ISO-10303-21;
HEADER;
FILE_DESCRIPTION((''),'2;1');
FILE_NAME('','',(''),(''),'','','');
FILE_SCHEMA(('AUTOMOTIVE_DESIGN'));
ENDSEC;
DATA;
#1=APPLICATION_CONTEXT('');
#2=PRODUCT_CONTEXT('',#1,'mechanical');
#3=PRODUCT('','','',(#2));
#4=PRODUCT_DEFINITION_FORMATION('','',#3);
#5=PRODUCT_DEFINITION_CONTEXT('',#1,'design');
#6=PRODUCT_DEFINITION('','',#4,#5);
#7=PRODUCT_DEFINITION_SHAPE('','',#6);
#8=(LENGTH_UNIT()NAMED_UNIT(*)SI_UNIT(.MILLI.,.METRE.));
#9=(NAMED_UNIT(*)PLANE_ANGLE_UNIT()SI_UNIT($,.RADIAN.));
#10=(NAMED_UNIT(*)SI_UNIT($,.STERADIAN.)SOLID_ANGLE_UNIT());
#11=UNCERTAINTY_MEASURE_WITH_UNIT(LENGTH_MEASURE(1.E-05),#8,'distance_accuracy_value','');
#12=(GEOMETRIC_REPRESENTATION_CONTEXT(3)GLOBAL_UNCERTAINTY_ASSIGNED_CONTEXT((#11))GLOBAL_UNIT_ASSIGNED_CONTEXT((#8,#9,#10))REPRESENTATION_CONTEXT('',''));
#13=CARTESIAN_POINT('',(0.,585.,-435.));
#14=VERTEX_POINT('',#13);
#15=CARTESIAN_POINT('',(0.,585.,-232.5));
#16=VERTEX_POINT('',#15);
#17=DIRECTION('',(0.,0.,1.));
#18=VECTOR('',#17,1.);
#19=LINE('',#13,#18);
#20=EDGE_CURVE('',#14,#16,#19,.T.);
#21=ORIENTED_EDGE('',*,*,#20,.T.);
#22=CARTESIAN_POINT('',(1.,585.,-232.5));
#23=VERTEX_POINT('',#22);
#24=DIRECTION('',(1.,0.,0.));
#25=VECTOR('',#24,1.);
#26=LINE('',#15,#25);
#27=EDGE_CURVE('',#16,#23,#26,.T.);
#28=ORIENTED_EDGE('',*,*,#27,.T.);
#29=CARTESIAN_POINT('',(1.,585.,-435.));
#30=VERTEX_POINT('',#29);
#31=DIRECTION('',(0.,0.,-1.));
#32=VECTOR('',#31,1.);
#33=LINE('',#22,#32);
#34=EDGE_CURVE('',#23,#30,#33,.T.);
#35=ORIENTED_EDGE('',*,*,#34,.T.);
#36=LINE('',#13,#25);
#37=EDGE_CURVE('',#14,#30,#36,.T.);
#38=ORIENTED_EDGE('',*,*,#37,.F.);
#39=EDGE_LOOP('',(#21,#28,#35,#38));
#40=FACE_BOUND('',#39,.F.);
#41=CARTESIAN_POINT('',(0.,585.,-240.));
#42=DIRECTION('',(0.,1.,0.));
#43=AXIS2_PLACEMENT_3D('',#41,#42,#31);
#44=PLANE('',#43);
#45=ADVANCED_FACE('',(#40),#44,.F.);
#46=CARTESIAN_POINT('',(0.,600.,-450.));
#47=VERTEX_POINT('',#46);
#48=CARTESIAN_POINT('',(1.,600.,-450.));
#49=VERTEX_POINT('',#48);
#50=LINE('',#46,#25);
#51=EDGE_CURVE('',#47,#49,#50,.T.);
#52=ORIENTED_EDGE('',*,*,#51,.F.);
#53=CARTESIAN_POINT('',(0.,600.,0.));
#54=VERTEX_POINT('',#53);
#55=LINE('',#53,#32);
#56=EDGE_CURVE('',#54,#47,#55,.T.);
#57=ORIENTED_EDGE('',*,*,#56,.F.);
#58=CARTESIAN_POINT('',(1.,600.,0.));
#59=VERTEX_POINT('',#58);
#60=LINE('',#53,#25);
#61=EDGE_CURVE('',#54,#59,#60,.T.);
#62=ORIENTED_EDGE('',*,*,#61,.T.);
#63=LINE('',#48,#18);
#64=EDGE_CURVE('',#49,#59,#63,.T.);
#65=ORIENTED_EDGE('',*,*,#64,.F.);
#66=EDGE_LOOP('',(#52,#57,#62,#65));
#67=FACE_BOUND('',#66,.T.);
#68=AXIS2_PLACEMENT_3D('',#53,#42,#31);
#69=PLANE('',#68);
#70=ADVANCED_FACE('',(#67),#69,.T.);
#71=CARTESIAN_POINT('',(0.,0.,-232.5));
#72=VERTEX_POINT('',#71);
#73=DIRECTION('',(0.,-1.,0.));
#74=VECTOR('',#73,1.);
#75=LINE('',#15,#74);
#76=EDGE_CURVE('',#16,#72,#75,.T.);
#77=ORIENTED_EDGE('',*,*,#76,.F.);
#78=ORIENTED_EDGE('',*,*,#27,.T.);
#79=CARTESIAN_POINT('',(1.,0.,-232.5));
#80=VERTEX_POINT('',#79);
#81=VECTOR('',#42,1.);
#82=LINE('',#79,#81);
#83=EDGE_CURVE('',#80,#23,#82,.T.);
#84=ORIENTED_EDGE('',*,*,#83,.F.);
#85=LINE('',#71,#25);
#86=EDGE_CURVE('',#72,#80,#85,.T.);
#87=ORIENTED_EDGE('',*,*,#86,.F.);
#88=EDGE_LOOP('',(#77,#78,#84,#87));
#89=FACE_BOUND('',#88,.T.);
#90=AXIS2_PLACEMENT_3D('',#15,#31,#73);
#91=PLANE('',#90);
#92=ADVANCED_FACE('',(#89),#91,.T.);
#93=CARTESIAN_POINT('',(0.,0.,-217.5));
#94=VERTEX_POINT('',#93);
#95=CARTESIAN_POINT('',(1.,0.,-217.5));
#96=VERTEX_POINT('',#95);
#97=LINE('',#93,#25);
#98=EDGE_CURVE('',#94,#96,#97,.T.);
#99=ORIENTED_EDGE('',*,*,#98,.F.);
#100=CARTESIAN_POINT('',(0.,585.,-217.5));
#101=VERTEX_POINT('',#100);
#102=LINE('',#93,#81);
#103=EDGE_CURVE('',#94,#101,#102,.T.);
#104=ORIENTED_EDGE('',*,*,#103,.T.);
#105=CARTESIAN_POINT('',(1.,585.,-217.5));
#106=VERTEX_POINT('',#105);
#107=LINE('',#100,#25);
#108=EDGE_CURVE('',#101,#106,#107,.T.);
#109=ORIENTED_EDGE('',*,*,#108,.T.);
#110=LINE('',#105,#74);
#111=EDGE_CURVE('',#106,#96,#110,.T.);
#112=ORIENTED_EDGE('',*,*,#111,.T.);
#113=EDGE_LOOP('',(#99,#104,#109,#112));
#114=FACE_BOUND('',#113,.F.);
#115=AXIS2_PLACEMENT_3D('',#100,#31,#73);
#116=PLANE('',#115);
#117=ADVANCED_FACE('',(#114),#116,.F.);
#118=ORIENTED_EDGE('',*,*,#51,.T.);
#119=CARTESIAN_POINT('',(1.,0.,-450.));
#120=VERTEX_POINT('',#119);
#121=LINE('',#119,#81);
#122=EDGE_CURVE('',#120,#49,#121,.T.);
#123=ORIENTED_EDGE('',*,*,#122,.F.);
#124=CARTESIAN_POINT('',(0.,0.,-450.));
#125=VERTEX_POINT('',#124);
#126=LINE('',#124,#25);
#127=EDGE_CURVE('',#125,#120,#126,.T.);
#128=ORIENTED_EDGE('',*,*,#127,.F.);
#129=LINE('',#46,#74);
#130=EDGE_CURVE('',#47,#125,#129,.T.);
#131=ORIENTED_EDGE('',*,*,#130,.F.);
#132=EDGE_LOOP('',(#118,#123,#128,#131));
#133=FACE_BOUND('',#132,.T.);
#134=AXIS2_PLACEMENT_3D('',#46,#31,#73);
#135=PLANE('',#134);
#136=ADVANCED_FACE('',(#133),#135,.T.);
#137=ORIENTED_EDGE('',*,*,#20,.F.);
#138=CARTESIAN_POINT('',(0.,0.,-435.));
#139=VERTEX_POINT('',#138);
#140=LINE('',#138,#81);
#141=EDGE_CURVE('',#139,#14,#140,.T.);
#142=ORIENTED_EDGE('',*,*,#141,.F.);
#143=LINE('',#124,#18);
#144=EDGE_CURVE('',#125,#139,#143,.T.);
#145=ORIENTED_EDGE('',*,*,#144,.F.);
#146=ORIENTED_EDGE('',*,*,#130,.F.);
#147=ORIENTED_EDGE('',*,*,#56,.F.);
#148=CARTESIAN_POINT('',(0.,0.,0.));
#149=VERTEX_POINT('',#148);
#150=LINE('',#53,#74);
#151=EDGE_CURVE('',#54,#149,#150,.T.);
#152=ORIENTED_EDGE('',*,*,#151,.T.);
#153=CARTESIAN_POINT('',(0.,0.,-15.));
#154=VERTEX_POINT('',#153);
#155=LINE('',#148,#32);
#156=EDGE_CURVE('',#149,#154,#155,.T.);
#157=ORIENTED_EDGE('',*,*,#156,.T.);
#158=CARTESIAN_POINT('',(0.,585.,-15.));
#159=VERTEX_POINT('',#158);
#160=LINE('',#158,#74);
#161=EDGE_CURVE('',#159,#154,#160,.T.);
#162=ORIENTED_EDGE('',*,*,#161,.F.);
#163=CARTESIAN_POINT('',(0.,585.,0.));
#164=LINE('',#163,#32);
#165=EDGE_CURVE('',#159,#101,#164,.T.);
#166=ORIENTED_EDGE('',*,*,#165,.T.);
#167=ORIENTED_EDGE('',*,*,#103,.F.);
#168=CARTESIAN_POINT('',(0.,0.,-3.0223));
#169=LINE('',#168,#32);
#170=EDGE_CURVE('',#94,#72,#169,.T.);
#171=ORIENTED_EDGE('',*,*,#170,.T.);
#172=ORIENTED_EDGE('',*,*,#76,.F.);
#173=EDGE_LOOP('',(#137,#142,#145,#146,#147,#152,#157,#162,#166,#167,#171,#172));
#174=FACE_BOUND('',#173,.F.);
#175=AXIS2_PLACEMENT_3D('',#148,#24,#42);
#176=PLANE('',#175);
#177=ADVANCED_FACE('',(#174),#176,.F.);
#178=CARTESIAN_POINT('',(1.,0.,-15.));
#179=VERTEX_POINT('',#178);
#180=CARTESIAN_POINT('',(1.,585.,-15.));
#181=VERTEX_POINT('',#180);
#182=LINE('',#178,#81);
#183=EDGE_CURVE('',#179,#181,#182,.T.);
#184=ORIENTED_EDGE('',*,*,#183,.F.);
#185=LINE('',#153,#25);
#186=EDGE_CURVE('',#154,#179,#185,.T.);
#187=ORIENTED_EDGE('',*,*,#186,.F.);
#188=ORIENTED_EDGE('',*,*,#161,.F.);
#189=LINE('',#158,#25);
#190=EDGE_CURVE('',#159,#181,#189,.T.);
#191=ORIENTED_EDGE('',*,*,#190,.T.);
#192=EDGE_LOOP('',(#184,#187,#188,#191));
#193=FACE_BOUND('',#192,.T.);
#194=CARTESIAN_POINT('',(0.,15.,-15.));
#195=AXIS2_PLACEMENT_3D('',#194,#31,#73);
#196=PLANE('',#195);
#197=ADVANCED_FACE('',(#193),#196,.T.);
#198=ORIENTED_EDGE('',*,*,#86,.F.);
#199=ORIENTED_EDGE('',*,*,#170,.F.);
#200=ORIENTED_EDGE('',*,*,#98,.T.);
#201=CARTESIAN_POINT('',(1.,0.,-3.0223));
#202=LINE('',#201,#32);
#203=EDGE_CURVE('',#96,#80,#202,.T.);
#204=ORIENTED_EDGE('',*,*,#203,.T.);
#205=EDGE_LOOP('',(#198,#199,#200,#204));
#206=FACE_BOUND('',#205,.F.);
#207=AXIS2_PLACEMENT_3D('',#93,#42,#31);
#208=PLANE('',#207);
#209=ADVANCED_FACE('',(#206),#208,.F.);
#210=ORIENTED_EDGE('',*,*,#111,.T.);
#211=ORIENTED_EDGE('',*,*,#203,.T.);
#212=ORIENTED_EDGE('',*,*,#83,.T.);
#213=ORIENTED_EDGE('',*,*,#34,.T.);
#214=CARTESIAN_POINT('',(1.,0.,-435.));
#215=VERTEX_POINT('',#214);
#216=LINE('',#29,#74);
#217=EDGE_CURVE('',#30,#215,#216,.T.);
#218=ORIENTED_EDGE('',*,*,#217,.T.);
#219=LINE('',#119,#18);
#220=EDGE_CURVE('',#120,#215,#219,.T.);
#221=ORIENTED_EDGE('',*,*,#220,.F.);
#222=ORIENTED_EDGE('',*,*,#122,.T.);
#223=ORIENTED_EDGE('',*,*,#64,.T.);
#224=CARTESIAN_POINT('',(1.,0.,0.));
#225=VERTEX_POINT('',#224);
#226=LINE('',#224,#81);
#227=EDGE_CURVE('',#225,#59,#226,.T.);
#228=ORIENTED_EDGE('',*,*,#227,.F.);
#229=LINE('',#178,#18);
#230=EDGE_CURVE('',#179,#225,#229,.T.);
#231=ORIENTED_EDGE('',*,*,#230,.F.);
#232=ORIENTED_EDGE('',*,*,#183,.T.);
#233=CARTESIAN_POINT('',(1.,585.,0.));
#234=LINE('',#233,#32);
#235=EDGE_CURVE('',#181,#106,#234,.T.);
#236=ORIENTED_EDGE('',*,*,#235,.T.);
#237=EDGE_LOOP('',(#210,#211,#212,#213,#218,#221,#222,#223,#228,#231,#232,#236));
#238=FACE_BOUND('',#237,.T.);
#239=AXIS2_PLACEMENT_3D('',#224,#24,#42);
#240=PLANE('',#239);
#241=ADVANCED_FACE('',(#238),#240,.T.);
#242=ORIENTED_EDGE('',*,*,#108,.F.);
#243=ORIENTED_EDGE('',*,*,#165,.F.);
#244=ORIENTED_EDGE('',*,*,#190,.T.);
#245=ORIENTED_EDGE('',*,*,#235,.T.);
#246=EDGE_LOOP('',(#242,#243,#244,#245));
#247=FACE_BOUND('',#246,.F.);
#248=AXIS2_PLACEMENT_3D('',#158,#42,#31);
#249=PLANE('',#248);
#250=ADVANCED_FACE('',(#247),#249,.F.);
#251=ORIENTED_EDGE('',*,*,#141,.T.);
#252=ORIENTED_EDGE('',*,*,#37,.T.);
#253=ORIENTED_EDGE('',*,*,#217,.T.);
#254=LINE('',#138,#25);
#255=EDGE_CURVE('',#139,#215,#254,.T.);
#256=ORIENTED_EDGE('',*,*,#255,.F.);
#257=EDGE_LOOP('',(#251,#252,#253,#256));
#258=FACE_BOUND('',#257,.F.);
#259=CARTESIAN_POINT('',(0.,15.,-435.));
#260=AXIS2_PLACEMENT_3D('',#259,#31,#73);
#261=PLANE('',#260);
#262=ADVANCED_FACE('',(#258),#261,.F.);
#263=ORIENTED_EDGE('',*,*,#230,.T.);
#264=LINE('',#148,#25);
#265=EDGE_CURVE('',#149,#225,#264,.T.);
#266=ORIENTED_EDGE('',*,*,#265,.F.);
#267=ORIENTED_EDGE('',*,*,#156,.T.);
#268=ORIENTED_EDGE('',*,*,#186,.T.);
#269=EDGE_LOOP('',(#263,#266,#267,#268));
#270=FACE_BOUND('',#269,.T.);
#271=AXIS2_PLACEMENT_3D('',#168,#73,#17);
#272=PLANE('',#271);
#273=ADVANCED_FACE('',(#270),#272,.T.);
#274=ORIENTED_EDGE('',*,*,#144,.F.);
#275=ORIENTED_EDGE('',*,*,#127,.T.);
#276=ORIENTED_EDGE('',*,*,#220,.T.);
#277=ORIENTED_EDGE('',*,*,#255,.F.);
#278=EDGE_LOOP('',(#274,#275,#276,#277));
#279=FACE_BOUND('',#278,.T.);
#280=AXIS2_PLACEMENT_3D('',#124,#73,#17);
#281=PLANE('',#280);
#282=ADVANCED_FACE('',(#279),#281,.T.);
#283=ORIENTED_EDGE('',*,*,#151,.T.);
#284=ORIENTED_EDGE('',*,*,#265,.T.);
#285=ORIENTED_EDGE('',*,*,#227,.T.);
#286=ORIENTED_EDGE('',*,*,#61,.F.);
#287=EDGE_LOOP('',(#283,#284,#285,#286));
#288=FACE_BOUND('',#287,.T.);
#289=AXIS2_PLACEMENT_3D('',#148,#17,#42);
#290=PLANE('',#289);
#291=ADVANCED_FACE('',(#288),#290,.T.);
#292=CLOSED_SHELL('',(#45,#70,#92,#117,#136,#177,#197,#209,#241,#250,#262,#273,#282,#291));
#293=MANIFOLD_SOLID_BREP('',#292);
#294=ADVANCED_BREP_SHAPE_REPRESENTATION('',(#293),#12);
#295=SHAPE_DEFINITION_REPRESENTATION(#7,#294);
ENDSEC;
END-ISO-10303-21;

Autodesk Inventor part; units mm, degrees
ref_plane "YZ Plane" through (0, 0, 0) normal (1, 0, 0) x (0, 1, 0)
ref_plane "XZ Plane" through (0, 0, 0) normal (0, 1, 0) x (-1, 0, 0)
ref_plane "XY Plane" through (0, 0, 0) normal (0, 0, 1) x (1, 0, 0)
sketch "Skizze1" plane through (0, 0, 0) normal (1, 0, 0) x (0, 1, 0)
  line L0 (0, -3.0223) -> (0, -427.4276)
  line L1 (0, 0) -> (600, 0)
  line L2 (600, 0) -> (600, -450)
  line L3 (600, -450) -> (0, -450)
  line L4 (0, -450) -> (0, 0)
  line L5 (600, 0) -> (585, 0)
  line L6 (585, 0) -> (585, -450)
  line L7 (0, 0) -> (15, 0)
  line L8 (585, 0) -> (585, -15)
  line L9 (585, -15) -> (15, -15)
  line L10 (585, -225) -> (585, -217.5)
  line L11 (585, -217.5) -> (585, -232.5)
  line L12 (585, -232.5) -> (15, -232.5)
  line L13 (585, -217.5) -> (15, -217.5)
  line L14 (585, -450) -> (585, -435)
  line L15 (585, -435) -> (15, -435)
  line L16 (585, -232.5) -> (585, -240)
  line L17 (555, -240) -> (555, -270)
  line L18 (554.8716, -281.2484) -> (554.8716, -311.2484)
  line L19 (554.8716, -321.2484) -> (554.8716, -351.2484)
  line L20 (554.8716, -358.8081) -> (554.8716, -388.8081)
  line L21 (554.8716, -398.5513) -> (554.8716, -428.5513)
  line L22 (564.8716, -321.2484) -> (564.8716, -351.2484)
  line L23 (565, -240) -> (565, -270)
  line L24 (564.8716, -281.2484) -> (564.8716, -311.2484)
  line L25 (564.8716, -358.8081) -> (564.8716, -388.8081)
  line L26 (564.8716, -398.5513) -> (564.8716, -428.5513)
  line L27 (574.8716, -321.2484) -> (574.8716, -351.2484)
  line L28 (575, -240) -> (575, -270)
  line L29 (574.8716, -281.2484) -> (574.8716, -311.2484)
  line L30 (574.8716, -358.8081) -> (574.8716, -388.8081)
  line L31 (574.8716, -398.5513) -> (574.8716, -428.5513)
  line L32 (570.1874, -253.3785) -> (570.1874, -288.3785)
  line L33 (570.1874, -298.063) -> (570.1874, -333.063)
  line L34 (570.1874, -341.7513) -> (570.1874, -371.7513)
  line L35 (570.1874, -382.1768) -> (570.1874, -417.1768)
  line L36 (560.1874, -382.1768) -> (560.1874, -417.1768)
  line L37 (560.1874, -341.7513) -> (560.1874, -371.7513)
  line L38 (560.1874, -298.063) -> (560.1874, -333.063)
  line L39 (560.1874, -253.3785) -> (560.1874, -288.3785)
  line L40 (585, -15) -> (15, -15)
  line L41 (554.8716, -181.0513) -> (554.8716, -211.0513)
  line L42 (560.1874, -164.6768) -> (560.1874, -199.6768)
  line L43 (564.8716, -181.0513) -> (564.8716, -211.0513)
  line L44 (570.1874, -164.6768) -> (570.1874, -199.6768)
  line L45 (574.8716, -181.0513) -> (574.8716, -211.0513)
  line L46 (554.8716, -103.7484) -> (554.8716, -133.7484)
  line L47 (554.8716, -141.3081) -> (554.8716, -171.3081)
  line L48 (564.8716, -103.7484) -> (564.8716, -133.7484)
  line L49 (560.1874, -124.2513) -> (560.1874, -154.2513)
  line L50 (570.1874, -124.2513) -> (570.1874, -154.2513)
  line L51 (564.8716, -141.3081) -> (564.8716, -171.3081)
  line L52 (574.8716, -141.3081) -> (574.8716, -171.3081)
  line L53 (574.8716, -103.7484) -> (574.8716, -133.7484)
  line L54 (555, -22.5) -> (555, -52.5)
  line L55 (554.8716, -63.7484) -> (554.8716, -93.7484)
  line L56 (565, -22.5) -> (565, -52.5)
  line L57 (560.1874, -80.563) -> (560.1874, -115.563)
  line L58 (570.1874, -80.563) -> (570.1874, -115.563)
  line L59 (564.8716, -63.7484) -> (564.8716, -93.7484)
  line L60 (574.8716, -63.7484) -> (574.8716, -93.7484)
  line L61 (560.1874, -35.8785) -> (560.1874, -70.8785)
  line L62 (570.1874, -35.8785) -> (570.1874, -70.8785)
  line L63 (575, -22.5) -> (575, -52.5)
  line L64 (15, -15) -> (0, -15)
  line L65 (15, -217.5) -> (0, -217.5)
  line L66 (15, -232.5) -> (0, -232.5)
  line L67 (15, -435) -> (0, -435)
  line L68 (600, -15) -> (300, -15)
  line L69 (300, -15) -> (300, -217.5)
  line L70 (300, -232.5) -> (300, -435)
  line L71 (285, -217.5) -> (-285, -217.5)
  line L72 (285, -232.5) -> (-285, -232.5)
  line L73 (264.8716, -63.7484) -> (264.8716, -93.7484)
  line L74 (260.1874, -35.8785) -> (260.1874, -70.8785)
  line L75 (255, -22.5) -> (255, -52.5)
  line L76 (254.8716, -63.7484) -> (254.8716, -93.7484)
  line L77 (274.8716, -358.8081) -> (274.8716, -388.8081)
  line L78 (264.8716, -358.8081) -> (264.8716, -388.8081)
  line L79 (254.8716, -358.8081) -> (254.8716, -388.8081)
  line L80 (270.1874, -341.7513) -> (270.1874, -371.7513)
  line L81 (260.1874, -341.7513) -> (260.1874, -371.7513)
  line L82 (260.1874, -298.063) -> (260.1874, -333.063)
  line L83 (270.1874, -298.063) -> (270.1874, -333.063)
  line L84 (254.8716, -321.2484) -> (254.8716, -351.2484)
  line L85 (264.8716, -321.2484) -> (264.8716, -351.2484)
  line L86 (274.8716, -321.2484) -> (274.8716, -351.2484)
  line L87 (255, -240) -> (255, -270)
  line L88 (254.8716, -281.2484) -> (254.8716, -311.2484)
  line L89 (264.8716, -281.2484) -> (264.8716, -311.2484)
  line L90 (274.8716, -281.2484) -> (274.8716, -311.2484)
  line L91 (270.1874, -253.3785) -> (270.1874, -288.3785)
  line L92 (260.1874, -253.3785) -> (260.1874, -288.3785)
  line L93 (275, -240) -> (275, -270)
  line L94 (265, -240) -> (265, -270)
  line L95 (270.1874, -382.1768) -> (270.1874, -417.1768)
  line L96 (260.1874, -382.1768) -> (260.1874, -417.1768)
  line L97 (254.8716, -398.5513) -> (254.8716, -428.5513)
  line L98 (264.8716, -398.5513) -> (264.8716, -428.5513)
  line L99 (274.8716, -398.5513) -> (274.8716, -428.5513)
  line L100 (254.8716, -103.7484) -> (254.8716, -133.7484)
  line L101 (254.8716, -141.3081) -> (254.8716, -171.3081)
  line L102 (260.1874, -80.563) -> (260.1874, -115.563)
  line L103 (270.1874, -80.563) -> (270.1874, -115.563)
  line L104 (264.8716, -103.7484) -> (264.8716, -133.7484)
  line L105 (260.1874, -124.2513) -> (260.1874, -154.2513)
  line L106 (270.1874, -124.2513) -> (270.1874, -154.2513)
  line L107 (264.8716, -141.3081) -> (264.8716, -171.3081)
  line L108 (274.8716, -63.7484) -> (274.8716, -93.7484)
  line L109 (270.1874, -35.8785) -> (270.1874, -70.8785)
  line L110 (275, -22.5) -> (275, -52.5)
  line L111 (264.8716, -181.0513) -> (264.8716, -211.0513)
  line L112 (274.8716, -181.0513) -> (274.8716, -211.0513)
  line L113 (254.8716, -181.0513) -> (254.8716, -211.0513)
  line L114 (260.1874, -164.6768) -> (260.1874, -199.6768)
  line L115 (270.1874, -164.6768) -> (270.1874, -199.6768)
  line L116 (274.8716, -141.3081) -> (274.8716, -171.3081)
  line L117 (274.8716, -103.7484) -> (274.8716, -133.7484)
  line L118 (265, -22.5) -> (265, -52.5)
  point P0 (0, -217.5)
  point P1 (0, -232.5)
  point P2 (0, -15)
  point P3 (0, -217.5)
  point P4 (0, -232.5)
  dimension "d0" = 450
  dimension "d1" = 600
  dimension "d2" = 15
  dimension "d3" = 450
  dimension "d4" = 15
  dimension "d6" = 15
  dimension "d9" = 7.5
  dimension "d10" = 15
  dimension "d11" = 15
  dimension "d12" = 7.5
  dimension "d13" = 30
  dimension "d14" = 30
  dimension "d24" = 30
  dimension "d25" = 10
  dimension "d26" = 30
  dimension "d28" = 30
  dimension "d30" = 30
  dimension "d33" = 10
  dimension "d40" = 35
  dimension "d42" = 30
  dimension "d44" = 35
  dimension "d45" = 35
  dimension "d48" = 10
  dimension "d55" = 217.5
  dimension "d60" = 300
  dimension "d63" = 300
extrude "Extrusion1" add sketch "Skizze1" along normal blind 1 contours L4 L1 L6 L9 L64 L0 | L65 L13 L6 L12 L66 L0 | L1 L2 L68 L6 | L68 L2 L3 L6 | L67 L15 L6 L3 L4
equation "\"d3\" = d0"
properties part number "shelf"
